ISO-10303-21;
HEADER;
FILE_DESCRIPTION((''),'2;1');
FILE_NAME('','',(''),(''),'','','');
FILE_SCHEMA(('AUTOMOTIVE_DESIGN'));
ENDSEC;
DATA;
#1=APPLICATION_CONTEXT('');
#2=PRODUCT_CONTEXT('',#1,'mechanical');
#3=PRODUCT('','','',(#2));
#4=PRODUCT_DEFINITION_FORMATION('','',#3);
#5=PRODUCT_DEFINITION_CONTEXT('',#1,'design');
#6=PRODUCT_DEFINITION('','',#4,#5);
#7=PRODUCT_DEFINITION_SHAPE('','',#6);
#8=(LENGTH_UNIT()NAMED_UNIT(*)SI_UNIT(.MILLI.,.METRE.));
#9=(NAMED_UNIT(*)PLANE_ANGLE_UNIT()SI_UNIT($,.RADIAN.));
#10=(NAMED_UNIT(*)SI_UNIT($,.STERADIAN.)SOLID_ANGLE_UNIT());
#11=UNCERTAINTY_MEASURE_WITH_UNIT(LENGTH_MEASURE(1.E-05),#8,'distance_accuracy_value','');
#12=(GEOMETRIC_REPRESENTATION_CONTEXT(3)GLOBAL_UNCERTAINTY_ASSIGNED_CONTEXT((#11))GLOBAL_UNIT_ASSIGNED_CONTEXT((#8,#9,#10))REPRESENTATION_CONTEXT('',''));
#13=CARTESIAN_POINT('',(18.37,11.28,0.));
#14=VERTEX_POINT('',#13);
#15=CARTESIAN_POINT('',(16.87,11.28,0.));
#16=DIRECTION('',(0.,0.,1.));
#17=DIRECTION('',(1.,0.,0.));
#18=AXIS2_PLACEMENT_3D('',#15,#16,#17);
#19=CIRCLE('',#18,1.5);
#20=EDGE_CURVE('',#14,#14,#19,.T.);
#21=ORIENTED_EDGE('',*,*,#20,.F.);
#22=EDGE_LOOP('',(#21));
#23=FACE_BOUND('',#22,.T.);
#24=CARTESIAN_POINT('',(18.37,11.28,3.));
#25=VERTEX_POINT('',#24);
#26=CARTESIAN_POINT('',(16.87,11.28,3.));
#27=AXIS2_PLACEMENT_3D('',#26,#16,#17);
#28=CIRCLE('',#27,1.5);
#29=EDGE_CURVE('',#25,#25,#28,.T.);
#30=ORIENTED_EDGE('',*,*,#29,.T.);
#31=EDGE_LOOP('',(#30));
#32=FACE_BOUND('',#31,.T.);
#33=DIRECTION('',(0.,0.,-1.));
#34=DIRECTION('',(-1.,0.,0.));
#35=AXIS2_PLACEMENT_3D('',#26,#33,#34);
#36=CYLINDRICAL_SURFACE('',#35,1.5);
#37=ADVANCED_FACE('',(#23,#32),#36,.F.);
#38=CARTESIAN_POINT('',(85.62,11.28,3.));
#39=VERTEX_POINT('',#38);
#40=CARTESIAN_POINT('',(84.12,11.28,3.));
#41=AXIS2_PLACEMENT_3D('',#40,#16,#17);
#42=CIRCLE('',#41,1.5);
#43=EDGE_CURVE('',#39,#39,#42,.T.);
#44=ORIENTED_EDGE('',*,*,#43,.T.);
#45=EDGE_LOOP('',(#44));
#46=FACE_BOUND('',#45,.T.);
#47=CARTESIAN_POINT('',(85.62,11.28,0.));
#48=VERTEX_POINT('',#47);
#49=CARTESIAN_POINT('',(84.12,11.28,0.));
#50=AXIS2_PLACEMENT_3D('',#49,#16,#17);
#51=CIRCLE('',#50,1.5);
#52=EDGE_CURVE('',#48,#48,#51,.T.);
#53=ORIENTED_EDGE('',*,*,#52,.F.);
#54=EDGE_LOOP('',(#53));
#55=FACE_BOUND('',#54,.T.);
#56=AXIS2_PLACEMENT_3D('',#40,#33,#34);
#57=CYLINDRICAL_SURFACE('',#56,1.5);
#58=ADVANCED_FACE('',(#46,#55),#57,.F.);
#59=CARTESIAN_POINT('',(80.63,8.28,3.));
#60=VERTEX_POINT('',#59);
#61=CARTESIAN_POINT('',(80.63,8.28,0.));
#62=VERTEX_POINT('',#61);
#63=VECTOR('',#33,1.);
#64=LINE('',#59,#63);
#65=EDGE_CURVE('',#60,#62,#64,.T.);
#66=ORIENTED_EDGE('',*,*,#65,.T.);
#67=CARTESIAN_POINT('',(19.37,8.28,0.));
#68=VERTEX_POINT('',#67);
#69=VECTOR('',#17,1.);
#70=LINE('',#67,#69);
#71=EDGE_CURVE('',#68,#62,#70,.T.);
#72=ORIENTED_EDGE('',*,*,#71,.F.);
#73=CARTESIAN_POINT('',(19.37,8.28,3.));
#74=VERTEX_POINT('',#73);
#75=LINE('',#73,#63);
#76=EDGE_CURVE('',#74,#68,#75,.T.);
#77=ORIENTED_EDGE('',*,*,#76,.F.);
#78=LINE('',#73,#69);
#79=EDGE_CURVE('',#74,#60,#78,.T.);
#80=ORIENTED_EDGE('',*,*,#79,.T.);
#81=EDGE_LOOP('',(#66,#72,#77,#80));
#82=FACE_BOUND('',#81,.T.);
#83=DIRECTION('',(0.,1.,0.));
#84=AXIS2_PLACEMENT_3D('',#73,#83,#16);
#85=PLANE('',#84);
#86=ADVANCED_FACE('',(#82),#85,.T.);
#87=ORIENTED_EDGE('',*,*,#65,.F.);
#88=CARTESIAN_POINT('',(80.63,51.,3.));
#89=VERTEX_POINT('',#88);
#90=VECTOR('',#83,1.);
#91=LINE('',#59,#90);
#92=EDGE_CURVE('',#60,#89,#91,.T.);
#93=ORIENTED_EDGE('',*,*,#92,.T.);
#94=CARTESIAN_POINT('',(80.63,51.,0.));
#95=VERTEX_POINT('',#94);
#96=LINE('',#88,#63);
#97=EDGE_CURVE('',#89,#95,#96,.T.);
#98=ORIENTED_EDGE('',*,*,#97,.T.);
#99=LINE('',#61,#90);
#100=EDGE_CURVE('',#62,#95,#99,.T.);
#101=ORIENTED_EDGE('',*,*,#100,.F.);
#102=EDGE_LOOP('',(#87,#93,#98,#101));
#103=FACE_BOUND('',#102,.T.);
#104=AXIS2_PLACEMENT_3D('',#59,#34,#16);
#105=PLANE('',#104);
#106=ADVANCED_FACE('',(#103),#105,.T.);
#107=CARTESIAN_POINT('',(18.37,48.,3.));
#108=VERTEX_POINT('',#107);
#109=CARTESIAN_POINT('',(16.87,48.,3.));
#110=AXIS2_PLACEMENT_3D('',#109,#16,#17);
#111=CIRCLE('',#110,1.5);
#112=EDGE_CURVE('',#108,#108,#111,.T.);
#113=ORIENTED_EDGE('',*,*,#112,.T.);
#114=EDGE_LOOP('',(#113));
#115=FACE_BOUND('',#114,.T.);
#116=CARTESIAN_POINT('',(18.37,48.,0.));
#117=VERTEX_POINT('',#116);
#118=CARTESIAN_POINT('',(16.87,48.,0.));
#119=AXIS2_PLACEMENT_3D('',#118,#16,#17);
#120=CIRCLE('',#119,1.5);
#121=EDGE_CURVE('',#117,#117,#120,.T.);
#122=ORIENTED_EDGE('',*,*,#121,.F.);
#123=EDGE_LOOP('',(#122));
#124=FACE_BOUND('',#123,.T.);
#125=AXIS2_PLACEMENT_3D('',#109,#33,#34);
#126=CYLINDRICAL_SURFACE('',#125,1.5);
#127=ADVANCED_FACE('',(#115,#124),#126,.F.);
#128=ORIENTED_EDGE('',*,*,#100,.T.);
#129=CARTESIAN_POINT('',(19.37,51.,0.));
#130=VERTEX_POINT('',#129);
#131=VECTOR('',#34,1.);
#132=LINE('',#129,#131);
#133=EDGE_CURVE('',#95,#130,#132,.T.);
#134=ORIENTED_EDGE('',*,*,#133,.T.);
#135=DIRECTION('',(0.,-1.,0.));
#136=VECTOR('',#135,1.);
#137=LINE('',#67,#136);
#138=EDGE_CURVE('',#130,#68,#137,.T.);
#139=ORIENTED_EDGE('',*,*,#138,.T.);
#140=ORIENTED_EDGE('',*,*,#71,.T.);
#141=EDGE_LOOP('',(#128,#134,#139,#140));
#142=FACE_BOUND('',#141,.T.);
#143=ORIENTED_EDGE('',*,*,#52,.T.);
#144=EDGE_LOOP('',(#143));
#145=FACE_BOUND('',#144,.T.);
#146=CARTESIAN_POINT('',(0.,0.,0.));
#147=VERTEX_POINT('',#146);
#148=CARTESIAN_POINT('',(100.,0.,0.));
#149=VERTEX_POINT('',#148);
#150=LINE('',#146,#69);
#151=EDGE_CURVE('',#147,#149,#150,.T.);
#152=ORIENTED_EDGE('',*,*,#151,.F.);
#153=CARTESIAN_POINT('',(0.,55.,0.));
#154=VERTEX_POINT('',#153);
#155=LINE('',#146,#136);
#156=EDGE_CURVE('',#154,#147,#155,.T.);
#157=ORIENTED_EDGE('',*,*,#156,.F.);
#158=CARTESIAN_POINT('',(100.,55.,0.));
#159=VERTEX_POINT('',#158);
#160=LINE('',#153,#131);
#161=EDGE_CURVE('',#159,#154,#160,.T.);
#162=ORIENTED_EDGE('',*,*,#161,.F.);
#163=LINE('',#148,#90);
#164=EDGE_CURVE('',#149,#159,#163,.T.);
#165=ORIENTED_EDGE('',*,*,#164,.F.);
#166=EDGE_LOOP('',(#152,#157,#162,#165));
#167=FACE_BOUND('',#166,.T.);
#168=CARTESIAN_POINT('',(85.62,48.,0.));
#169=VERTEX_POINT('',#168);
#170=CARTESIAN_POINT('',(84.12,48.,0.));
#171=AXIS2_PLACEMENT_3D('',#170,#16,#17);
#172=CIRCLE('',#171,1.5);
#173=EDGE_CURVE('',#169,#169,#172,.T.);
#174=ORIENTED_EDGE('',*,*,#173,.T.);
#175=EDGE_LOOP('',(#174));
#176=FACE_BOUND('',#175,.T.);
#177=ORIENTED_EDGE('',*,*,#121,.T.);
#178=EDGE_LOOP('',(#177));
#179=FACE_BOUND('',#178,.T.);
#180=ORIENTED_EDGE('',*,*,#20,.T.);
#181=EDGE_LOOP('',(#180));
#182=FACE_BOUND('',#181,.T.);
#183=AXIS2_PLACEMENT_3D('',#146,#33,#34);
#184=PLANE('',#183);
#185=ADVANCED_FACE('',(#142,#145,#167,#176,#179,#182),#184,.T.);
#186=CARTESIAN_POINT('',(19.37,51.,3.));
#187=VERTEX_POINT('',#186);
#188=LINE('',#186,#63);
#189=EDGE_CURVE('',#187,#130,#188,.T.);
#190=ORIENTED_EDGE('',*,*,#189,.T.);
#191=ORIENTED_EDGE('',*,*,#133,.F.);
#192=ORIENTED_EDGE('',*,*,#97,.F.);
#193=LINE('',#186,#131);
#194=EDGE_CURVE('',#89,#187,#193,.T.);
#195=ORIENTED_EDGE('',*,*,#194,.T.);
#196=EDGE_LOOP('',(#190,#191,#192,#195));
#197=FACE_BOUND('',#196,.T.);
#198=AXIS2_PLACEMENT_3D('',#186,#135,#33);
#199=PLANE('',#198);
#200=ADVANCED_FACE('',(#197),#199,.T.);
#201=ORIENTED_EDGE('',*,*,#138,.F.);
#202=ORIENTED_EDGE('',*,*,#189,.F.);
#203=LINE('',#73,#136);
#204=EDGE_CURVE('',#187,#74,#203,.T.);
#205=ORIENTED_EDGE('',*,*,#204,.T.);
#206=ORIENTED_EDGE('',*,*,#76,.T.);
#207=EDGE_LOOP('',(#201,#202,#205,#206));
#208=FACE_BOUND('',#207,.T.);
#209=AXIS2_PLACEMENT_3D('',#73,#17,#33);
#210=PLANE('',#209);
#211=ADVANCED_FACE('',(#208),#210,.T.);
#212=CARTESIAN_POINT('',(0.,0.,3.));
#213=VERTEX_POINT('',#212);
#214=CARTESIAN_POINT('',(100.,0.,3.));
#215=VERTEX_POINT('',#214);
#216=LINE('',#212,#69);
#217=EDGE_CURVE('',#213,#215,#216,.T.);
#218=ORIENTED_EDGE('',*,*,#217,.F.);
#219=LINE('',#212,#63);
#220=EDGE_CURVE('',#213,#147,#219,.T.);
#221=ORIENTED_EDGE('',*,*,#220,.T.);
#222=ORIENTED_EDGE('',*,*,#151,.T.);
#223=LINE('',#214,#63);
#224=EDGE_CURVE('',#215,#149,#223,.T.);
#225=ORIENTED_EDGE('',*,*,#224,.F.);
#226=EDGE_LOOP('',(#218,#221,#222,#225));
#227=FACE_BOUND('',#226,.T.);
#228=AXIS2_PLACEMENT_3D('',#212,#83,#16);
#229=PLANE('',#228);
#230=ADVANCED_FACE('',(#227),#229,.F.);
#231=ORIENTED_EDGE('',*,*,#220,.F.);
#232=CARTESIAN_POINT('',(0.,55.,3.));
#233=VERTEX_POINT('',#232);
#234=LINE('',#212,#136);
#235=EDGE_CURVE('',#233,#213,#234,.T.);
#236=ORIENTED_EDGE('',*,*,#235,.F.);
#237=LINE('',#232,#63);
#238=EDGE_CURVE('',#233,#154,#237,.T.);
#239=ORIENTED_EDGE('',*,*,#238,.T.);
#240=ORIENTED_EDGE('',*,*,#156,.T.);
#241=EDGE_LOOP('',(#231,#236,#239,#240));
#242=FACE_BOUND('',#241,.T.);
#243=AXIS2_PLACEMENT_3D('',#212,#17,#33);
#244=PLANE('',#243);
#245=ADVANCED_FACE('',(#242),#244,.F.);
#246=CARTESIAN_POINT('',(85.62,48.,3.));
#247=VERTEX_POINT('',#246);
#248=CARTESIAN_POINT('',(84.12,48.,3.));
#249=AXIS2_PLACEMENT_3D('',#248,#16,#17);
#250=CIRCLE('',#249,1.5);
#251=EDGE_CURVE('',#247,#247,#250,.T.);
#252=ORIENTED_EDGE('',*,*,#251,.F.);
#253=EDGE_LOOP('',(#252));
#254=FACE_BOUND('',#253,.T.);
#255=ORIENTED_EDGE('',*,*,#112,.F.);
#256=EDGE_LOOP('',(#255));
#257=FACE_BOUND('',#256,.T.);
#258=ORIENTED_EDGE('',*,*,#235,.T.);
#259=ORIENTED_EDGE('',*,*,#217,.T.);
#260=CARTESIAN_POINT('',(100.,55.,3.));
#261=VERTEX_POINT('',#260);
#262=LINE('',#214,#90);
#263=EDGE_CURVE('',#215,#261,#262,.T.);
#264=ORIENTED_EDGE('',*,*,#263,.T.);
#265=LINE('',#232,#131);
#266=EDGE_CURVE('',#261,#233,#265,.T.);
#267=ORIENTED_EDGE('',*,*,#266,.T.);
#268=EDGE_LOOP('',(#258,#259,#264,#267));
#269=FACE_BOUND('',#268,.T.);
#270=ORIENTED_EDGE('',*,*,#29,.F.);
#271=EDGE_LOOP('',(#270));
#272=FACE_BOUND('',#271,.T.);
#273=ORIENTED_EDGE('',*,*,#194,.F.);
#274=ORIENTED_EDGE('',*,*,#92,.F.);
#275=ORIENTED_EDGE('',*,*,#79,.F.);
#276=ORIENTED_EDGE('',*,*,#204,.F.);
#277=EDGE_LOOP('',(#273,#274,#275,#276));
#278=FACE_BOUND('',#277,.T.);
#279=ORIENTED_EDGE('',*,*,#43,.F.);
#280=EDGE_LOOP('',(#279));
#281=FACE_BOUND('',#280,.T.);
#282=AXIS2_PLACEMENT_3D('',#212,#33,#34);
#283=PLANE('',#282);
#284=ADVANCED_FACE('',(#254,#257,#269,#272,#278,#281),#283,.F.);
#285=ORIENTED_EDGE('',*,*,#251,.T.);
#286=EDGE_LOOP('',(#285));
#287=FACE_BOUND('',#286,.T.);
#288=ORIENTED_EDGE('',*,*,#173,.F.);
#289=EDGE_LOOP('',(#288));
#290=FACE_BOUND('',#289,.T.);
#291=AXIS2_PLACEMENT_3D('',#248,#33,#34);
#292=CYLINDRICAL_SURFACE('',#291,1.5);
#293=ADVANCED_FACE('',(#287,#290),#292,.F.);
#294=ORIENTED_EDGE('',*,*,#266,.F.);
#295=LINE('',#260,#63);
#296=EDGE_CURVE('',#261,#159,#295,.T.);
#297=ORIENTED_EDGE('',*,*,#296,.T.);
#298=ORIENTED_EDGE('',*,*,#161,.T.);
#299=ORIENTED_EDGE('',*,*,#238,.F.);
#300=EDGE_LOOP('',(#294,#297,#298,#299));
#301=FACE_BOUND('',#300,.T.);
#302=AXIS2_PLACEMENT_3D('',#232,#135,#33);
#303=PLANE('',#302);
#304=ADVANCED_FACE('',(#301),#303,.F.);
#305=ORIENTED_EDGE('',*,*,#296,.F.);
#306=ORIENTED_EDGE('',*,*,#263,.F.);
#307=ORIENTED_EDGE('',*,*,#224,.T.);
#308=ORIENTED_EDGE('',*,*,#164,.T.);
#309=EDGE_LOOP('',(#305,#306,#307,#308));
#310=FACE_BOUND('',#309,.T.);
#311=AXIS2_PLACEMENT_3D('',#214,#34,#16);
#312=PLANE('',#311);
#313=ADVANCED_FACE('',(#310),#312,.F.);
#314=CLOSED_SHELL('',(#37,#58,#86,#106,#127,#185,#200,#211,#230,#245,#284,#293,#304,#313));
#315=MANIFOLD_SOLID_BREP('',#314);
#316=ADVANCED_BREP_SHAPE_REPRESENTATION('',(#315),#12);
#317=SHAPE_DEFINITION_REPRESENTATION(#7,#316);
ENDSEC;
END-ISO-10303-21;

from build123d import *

# Parameters (mm, degrees)
SKETCH1_W           = 100
SKETCH1_H           = 55
SKETCH1_R           = 1.5
SKETCH1_W_2         = 61.26
SKETCH1_H_2         = 42.72
BOSS_EXTRUDE1_DEPTH = 3


with BuildPart() as part:
    # Sketch1 → Boss-Extrude1 (new body)
    with BuildSketch(Plane.XY):
        with Locations((50, 27.5)):
            Rectangle(SKETCH1_W, SKETCH1_H)
        with Locations((84.12, 48)):
            Circle(SKETCH1_R, mode=Mode.SUBTRACT)
        with Locations((16.87, 48)):
            Circle(SKETCH1_R, mode=Mode.SUBTRACT)
        with Locations((16.87, 11.28)):
            Circle(SKETCH1_R, mode=Mode.SUBTRACT)
        with Locations((84.12, 11.28)):
            Circle(SKETCH1_R, mode=Mode.SUBTRACT)
        with Locations((50, 29.64)):
            Rectangle(SKETCH1_W_2, SKETCH1_H_2, mode=Mode.SUBTRACT)
    extrude(amount=BOSS_EXTRUDE1_DEPTH)


solid = part.part
